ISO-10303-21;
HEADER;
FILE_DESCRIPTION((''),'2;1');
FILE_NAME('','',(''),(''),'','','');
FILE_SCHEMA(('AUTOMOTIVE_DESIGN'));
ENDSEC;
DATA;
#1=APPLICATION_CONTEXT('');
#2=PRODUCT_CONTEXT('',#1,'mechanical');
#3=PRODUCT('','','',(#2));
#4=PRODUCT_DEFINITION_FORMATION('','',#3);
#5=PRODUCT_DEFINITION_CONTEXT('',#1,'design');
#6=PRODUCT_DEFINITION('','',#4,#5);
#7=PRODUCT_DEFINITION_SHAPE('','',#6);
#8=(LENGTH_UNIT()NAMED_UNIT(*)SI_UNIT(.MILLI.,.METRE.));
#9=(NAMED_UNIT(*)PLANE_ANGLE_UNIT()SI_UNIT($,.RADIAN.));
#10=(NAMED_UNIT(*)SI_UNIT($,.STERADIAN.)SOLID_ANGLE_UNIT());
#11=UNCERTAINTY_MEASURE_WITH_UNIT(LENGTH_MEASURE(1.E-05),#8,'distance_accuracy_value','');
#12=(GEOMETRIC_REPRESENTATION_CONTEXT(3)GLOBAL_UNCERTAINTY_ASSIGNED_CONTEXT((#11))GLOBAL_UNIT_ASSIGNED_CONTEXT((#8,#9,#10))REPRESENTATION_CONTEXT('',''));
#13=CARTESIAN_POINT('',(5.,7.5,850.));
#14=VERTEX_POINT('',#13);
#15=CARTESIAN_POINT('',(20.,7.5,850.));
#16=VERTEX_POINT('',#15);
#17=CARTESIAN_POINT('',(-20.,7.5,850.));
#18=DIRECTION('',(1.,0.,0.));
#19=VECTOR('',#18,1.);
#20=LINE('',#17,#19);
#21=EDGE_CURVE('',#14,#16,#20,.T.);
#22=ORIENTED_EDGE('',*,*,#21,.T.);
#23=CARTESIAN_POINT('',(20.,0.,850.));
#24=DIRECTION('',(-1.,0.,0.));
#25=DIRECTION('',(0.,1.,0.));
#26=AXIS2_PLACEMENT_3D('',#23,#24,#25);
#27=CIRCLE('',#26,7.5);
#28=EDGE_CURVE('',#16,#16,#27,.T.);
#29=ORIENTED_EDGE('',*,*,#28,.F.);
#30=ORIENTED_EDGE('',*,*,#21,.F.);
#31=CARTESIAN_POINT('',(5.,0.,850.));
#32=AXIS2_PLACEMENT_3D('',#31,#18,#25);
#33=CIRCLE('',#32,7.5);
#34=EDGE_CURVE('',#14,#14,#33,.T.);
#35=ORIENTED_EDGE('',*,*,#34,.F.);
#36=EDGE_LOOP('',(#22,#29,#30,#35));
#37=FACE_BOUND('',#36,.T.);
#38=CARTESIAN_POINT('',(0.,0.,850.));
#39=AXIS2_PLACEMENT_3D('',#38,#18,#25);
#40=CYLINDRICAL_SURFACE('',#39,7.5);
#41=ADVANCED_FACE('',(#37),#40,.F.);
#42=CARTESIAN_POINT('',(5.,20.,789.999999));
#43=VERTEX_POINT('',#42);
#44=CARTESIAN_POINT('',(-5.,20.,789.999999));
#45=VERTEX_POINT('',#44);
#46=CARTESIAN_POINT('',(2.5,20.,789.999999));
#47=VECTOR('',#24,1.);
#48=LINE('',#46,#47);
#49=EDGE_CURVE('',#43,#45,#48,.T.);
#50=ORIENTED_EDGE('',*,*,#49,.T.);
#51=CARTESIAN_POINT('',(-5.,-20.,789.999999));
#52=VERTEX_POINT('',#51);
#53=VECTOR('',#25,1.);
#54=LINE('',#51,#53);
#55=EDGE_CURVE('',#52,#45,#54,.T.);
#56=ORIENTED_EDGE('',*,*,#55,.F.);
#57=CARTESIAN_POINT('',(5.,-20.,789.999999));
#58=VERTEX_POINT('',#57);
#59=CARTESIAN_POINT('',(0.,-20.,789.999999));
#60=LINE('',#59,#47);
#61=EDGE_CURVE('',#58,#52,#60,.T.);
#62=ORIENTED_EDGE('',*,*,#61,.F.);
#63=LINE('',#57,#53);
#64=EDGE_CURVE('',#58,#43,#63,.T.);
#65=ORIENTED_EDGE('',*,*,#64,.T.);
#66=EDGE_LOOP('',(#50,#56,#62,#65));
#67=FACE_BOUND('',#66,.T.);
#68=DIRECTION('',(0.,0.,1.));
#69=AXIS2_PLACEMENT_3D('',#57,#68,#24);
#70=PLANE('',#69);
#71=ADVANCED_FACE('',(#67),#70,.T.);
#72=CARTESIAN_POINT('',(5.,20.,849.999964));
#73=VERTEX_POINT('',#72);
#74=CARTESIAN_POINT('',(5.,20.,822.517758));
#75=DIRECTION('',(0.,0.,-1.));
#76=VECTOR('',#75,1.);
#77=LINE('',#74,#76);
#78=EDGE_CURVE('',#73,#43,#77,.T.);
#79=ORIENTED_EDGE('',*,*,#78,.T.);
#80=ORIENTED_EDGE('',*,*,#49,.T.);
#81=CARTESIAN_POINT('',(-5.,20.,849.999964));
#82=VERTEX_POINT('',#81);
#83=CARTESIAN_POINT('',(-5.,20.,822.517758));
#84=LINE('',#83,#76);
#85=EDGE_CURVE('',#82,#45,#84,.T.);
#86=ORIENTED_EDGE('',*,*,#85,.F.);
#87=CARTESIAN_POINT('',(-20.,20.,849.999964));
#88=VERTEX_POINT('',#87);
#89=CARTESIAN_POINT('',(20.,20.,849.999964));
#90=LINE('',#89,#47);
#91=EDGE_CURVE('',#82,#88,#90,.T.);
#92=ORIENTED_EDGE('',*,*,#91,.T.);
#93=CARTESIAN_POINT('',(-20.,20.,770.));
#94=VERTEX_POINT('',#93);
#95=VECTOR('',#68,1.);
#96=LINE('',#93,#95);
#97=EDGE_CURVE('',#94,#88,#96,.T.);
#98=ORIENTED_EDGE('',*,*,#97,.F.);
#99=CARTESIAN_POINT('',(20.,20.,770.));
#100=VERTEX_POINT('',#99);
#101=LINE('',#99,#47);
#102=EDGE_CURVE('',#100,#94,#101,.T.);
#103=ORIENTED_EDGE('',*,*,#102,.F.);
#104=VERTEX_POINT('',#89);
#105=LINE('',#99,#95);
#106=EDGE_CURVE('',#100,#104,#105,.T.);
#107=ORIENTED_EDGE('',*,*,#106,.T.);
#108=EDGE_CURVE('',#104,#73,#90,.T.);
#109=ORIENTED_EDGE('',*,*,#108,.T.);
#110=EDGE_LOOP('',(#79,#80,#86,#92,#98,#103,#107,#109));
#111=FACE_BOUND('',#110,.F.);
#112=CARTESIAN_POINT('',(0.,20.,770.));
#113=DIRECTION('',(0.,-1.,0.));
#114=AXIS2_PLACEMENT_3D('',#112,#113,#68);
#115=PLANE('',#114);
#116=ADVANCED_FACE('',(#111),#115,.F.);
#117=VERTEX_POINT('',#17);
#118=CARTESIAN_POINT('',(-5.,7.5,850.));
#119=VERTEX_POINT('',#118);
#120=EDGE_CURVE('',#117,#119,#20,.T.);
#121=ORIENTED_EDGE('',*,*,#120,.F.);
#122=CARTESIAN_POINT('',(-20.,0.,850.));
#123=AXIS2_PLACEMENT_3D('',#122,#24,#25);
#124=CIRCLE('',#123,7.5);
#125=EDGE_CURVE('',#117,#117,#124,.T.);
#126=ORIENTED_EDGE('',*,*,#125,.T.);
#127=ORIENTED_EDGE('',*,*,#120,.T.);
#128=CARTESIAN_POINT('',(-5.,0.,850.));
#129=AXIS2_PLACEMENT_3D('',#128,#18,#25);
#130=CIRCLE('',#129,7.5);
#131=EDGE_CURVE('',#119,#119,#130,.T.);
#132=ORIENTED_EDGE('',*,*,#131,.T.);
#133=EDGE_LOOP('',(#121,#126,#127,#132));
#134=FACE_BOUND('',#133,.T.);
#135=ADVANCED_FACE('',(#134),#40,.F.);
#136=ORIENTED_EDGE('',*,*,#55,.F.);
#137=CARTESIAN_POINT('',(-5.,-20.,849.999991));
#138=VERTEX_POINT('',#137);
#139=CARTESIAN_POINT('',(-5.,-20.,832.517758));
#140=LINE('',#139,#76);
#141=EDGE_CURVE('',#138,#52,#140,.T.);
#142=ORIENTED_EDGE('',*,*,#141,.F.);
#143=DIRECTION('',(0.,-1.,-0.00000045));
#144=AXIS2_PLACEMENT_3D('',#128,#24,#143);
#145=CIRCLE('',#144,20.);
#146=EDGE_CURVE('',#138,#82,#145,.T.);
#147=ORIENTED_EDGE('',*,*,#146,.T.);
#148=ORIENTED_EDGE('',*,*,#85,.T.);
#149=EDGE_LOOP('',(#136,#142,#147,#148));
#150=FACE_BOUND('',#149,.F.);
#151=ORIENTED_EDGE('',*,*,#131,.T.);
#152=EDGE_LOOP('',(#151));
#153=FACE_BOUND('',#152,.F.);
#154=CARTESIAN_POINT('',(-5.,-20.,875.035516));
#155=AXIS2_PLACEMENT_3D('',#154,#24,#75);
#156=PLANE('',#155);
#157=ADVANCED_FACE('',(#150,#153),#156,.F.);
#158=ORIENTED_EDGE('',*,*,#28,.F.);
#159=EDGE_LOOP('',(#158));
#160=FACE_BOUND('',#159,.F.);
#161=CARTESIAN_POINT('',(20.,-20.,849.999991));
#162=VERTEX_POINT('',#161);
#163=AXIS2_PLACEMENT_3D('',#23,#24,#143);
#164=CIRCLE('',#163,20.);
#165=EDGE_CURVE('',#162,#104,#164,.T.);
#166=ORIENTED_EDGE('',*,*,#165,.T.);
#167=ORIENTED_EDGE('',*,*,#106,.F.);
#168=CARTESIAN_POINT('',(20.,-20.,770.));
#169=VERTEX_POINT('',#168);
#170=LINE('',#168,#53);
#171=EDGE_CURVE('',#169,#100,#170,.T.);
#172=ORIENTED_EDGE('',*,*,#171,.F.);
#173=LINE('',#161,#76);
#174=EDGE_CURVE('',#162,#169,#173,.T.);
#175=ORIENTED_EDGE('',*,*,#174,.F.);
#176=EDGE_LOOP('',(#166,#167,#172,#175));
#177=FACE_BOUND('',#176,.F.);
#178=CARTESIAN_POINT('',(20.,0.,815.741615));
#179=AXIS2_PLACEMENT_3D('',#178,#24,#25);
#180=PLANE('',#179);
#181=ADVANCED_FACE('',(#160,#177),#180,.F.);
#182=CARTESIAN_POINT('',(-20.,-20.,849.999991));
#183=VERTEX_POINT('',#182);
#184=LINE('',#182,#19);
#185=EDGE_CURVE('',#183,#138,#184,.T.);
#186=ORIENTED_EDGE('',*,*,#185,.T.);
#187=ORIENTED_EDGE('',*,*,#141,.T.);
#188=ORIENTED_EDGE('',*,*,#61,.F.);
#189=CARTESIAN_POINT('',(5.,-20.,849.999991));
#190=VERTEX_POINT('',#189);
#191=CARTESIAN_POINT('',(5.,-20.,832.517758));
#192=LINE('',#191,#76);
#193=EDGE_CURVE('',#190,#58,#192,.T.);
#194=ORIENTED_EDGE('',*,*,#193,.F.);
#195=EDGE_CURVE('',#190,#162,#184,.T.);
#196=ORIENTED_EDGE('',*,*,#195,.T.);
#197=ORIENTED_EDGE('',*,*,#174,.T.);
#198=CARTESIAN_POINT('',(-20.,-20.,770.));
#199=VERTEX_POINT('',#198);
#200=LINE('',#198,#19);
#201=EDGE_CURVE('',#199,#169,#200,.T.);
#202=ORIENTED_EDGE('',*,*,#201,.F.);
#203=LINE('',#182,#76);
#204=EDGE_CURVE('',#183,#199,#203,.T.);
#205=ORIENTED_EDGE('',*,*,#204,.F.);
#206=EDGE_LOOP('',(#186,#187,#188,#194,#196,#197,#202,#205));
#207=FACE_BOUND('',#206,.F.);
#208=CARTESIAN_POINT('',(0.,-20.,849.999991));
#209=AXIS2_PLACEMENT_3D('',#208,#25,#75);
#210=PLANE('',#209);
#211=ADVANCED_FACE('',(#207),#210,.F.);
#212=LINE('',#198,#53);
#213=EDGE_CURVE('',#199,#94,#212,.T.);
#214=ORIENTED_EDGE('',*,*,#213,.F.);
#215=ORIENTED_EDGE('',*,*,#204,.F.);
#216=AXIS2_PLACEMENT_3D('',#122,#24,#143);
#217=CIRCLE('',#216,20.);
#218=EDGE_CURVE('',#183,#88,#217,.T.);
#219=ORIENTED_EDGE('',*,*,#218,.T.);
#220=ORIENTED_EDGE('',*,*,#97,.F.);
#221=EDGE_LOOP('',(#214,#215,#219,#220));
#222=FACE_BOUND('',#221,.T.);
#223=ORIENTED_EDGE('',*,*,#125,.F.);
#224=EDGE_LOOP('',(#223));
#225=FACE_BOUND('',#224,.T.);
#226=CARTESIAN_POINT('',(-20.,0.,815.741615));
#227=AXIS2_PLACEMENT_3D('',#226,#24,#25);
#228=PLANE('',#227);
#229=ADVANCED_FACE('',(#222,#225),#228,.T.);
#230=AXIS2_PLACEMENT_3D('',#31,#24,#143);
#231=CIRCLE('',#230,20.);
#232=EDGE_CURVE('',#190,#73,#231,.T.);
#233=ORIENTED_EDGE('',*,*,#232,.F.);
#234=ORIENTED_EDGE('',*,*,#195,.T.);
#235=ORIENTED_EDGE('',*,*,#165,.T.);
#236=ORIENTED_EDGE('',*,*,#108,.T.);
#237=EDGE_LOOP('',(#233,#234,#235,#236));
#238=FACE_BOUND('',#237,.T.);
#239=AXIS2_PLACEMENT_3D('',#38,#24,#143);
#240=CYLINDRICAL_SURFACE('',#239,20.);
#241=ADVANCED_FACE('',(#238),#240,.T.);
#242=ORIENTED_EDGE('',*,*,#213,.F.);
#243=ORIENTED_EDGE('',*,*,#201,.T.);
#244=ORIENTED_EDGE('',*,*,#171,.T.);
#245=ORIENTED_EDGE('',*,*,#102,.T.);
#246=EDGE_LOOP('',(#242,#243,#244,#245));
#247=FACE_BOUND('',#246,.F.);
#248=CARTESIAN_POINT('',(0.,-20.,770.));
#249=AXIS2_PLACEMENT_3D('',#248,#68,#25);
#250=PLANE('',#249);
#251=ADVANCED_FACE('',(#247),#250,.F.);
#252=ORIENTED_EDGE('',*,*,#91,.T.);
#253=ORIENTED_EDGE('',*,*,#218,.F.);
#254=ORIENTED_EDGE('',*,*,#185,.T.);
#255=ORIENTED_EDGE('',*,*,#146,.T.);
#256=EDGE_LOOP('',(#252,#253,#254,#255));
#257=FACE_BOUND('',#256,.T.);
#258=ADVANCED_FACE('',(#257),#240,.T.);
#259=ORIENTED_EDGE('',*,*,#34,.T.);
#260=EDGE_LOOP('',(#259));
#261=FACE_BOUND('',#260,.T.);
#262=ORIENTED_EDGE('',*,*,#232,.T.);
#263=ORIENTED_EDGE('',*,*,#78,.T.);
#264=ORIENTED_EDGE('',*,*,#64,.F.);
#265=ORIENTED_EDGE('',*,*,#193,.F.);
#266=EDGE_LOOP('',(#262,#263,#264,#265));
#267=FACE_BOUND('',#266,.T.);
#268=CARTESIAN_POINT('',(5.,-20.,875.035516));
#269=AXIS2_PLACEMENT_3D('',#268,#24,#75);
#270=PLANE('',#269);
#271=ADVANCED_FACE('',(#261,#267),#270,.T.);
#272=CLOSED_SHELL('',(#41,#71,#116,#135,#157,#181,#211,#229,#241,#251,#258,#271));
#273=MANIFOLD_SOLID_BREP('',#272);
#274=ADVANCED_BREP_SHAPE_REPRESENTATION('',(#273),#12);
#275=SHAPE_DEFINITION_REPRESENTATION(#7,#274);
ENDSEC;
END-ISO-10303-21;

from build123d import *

# Parameters (mm, degrees)
SKETCH007_W           = 10
SKETCH007_H           = 85.035517
EXTRUDE007_DEPTH      = 50
SKETCH006_R           = 7.5
EXTRUDE006_DEPTH      = 20
CLONE_PLACEMENT_ANGLE = 180


with BuildPart() as extrude007:
    # Sketch007 → Extrude007 (new body)
    with BuildSketch(Plane.XZ.offset(20)):
        with Locations((0, 17.482242)):
            Rectangle(SKETCH007_W, SKETCH007_H)
    extrude(amount=-EXTRUDE007_DEPTH)


with BuildPart() as cut003:
    # Sketch006 → Extrude006 (new body, symmetric)
    with BuildSketch(Plane.YZ):
        with BuildLine():
            ThreePointArc((-20, 9e-06), (1.3e-05, -20), (20, 3.6e-05))
            Line((20, 80), (20, 3.6e-05))
            Line((-20, 80), (20, 80))
            Line((-20, 9e-06), (-20, 80))
        make_face()
        Circle(SKETCH006_R, mode=Mode.SUBTRACT)
    extrude(amount=EXTRUDE006_DEPTH, both=True)

    # Cut002: cut Extrude007
    add(extrude007.part, mode=Mode.SUBTRACT)


with BuildPart() as cut003_1:
    # Clone placement: moved
    add(cut003.part.moved(Location((0, 0, 850))).rotate(Axis((0, 0, 850), (0, 1, 0)), CLONE_PLACEMENT_ANGLE))


solid = cut003_1.part
